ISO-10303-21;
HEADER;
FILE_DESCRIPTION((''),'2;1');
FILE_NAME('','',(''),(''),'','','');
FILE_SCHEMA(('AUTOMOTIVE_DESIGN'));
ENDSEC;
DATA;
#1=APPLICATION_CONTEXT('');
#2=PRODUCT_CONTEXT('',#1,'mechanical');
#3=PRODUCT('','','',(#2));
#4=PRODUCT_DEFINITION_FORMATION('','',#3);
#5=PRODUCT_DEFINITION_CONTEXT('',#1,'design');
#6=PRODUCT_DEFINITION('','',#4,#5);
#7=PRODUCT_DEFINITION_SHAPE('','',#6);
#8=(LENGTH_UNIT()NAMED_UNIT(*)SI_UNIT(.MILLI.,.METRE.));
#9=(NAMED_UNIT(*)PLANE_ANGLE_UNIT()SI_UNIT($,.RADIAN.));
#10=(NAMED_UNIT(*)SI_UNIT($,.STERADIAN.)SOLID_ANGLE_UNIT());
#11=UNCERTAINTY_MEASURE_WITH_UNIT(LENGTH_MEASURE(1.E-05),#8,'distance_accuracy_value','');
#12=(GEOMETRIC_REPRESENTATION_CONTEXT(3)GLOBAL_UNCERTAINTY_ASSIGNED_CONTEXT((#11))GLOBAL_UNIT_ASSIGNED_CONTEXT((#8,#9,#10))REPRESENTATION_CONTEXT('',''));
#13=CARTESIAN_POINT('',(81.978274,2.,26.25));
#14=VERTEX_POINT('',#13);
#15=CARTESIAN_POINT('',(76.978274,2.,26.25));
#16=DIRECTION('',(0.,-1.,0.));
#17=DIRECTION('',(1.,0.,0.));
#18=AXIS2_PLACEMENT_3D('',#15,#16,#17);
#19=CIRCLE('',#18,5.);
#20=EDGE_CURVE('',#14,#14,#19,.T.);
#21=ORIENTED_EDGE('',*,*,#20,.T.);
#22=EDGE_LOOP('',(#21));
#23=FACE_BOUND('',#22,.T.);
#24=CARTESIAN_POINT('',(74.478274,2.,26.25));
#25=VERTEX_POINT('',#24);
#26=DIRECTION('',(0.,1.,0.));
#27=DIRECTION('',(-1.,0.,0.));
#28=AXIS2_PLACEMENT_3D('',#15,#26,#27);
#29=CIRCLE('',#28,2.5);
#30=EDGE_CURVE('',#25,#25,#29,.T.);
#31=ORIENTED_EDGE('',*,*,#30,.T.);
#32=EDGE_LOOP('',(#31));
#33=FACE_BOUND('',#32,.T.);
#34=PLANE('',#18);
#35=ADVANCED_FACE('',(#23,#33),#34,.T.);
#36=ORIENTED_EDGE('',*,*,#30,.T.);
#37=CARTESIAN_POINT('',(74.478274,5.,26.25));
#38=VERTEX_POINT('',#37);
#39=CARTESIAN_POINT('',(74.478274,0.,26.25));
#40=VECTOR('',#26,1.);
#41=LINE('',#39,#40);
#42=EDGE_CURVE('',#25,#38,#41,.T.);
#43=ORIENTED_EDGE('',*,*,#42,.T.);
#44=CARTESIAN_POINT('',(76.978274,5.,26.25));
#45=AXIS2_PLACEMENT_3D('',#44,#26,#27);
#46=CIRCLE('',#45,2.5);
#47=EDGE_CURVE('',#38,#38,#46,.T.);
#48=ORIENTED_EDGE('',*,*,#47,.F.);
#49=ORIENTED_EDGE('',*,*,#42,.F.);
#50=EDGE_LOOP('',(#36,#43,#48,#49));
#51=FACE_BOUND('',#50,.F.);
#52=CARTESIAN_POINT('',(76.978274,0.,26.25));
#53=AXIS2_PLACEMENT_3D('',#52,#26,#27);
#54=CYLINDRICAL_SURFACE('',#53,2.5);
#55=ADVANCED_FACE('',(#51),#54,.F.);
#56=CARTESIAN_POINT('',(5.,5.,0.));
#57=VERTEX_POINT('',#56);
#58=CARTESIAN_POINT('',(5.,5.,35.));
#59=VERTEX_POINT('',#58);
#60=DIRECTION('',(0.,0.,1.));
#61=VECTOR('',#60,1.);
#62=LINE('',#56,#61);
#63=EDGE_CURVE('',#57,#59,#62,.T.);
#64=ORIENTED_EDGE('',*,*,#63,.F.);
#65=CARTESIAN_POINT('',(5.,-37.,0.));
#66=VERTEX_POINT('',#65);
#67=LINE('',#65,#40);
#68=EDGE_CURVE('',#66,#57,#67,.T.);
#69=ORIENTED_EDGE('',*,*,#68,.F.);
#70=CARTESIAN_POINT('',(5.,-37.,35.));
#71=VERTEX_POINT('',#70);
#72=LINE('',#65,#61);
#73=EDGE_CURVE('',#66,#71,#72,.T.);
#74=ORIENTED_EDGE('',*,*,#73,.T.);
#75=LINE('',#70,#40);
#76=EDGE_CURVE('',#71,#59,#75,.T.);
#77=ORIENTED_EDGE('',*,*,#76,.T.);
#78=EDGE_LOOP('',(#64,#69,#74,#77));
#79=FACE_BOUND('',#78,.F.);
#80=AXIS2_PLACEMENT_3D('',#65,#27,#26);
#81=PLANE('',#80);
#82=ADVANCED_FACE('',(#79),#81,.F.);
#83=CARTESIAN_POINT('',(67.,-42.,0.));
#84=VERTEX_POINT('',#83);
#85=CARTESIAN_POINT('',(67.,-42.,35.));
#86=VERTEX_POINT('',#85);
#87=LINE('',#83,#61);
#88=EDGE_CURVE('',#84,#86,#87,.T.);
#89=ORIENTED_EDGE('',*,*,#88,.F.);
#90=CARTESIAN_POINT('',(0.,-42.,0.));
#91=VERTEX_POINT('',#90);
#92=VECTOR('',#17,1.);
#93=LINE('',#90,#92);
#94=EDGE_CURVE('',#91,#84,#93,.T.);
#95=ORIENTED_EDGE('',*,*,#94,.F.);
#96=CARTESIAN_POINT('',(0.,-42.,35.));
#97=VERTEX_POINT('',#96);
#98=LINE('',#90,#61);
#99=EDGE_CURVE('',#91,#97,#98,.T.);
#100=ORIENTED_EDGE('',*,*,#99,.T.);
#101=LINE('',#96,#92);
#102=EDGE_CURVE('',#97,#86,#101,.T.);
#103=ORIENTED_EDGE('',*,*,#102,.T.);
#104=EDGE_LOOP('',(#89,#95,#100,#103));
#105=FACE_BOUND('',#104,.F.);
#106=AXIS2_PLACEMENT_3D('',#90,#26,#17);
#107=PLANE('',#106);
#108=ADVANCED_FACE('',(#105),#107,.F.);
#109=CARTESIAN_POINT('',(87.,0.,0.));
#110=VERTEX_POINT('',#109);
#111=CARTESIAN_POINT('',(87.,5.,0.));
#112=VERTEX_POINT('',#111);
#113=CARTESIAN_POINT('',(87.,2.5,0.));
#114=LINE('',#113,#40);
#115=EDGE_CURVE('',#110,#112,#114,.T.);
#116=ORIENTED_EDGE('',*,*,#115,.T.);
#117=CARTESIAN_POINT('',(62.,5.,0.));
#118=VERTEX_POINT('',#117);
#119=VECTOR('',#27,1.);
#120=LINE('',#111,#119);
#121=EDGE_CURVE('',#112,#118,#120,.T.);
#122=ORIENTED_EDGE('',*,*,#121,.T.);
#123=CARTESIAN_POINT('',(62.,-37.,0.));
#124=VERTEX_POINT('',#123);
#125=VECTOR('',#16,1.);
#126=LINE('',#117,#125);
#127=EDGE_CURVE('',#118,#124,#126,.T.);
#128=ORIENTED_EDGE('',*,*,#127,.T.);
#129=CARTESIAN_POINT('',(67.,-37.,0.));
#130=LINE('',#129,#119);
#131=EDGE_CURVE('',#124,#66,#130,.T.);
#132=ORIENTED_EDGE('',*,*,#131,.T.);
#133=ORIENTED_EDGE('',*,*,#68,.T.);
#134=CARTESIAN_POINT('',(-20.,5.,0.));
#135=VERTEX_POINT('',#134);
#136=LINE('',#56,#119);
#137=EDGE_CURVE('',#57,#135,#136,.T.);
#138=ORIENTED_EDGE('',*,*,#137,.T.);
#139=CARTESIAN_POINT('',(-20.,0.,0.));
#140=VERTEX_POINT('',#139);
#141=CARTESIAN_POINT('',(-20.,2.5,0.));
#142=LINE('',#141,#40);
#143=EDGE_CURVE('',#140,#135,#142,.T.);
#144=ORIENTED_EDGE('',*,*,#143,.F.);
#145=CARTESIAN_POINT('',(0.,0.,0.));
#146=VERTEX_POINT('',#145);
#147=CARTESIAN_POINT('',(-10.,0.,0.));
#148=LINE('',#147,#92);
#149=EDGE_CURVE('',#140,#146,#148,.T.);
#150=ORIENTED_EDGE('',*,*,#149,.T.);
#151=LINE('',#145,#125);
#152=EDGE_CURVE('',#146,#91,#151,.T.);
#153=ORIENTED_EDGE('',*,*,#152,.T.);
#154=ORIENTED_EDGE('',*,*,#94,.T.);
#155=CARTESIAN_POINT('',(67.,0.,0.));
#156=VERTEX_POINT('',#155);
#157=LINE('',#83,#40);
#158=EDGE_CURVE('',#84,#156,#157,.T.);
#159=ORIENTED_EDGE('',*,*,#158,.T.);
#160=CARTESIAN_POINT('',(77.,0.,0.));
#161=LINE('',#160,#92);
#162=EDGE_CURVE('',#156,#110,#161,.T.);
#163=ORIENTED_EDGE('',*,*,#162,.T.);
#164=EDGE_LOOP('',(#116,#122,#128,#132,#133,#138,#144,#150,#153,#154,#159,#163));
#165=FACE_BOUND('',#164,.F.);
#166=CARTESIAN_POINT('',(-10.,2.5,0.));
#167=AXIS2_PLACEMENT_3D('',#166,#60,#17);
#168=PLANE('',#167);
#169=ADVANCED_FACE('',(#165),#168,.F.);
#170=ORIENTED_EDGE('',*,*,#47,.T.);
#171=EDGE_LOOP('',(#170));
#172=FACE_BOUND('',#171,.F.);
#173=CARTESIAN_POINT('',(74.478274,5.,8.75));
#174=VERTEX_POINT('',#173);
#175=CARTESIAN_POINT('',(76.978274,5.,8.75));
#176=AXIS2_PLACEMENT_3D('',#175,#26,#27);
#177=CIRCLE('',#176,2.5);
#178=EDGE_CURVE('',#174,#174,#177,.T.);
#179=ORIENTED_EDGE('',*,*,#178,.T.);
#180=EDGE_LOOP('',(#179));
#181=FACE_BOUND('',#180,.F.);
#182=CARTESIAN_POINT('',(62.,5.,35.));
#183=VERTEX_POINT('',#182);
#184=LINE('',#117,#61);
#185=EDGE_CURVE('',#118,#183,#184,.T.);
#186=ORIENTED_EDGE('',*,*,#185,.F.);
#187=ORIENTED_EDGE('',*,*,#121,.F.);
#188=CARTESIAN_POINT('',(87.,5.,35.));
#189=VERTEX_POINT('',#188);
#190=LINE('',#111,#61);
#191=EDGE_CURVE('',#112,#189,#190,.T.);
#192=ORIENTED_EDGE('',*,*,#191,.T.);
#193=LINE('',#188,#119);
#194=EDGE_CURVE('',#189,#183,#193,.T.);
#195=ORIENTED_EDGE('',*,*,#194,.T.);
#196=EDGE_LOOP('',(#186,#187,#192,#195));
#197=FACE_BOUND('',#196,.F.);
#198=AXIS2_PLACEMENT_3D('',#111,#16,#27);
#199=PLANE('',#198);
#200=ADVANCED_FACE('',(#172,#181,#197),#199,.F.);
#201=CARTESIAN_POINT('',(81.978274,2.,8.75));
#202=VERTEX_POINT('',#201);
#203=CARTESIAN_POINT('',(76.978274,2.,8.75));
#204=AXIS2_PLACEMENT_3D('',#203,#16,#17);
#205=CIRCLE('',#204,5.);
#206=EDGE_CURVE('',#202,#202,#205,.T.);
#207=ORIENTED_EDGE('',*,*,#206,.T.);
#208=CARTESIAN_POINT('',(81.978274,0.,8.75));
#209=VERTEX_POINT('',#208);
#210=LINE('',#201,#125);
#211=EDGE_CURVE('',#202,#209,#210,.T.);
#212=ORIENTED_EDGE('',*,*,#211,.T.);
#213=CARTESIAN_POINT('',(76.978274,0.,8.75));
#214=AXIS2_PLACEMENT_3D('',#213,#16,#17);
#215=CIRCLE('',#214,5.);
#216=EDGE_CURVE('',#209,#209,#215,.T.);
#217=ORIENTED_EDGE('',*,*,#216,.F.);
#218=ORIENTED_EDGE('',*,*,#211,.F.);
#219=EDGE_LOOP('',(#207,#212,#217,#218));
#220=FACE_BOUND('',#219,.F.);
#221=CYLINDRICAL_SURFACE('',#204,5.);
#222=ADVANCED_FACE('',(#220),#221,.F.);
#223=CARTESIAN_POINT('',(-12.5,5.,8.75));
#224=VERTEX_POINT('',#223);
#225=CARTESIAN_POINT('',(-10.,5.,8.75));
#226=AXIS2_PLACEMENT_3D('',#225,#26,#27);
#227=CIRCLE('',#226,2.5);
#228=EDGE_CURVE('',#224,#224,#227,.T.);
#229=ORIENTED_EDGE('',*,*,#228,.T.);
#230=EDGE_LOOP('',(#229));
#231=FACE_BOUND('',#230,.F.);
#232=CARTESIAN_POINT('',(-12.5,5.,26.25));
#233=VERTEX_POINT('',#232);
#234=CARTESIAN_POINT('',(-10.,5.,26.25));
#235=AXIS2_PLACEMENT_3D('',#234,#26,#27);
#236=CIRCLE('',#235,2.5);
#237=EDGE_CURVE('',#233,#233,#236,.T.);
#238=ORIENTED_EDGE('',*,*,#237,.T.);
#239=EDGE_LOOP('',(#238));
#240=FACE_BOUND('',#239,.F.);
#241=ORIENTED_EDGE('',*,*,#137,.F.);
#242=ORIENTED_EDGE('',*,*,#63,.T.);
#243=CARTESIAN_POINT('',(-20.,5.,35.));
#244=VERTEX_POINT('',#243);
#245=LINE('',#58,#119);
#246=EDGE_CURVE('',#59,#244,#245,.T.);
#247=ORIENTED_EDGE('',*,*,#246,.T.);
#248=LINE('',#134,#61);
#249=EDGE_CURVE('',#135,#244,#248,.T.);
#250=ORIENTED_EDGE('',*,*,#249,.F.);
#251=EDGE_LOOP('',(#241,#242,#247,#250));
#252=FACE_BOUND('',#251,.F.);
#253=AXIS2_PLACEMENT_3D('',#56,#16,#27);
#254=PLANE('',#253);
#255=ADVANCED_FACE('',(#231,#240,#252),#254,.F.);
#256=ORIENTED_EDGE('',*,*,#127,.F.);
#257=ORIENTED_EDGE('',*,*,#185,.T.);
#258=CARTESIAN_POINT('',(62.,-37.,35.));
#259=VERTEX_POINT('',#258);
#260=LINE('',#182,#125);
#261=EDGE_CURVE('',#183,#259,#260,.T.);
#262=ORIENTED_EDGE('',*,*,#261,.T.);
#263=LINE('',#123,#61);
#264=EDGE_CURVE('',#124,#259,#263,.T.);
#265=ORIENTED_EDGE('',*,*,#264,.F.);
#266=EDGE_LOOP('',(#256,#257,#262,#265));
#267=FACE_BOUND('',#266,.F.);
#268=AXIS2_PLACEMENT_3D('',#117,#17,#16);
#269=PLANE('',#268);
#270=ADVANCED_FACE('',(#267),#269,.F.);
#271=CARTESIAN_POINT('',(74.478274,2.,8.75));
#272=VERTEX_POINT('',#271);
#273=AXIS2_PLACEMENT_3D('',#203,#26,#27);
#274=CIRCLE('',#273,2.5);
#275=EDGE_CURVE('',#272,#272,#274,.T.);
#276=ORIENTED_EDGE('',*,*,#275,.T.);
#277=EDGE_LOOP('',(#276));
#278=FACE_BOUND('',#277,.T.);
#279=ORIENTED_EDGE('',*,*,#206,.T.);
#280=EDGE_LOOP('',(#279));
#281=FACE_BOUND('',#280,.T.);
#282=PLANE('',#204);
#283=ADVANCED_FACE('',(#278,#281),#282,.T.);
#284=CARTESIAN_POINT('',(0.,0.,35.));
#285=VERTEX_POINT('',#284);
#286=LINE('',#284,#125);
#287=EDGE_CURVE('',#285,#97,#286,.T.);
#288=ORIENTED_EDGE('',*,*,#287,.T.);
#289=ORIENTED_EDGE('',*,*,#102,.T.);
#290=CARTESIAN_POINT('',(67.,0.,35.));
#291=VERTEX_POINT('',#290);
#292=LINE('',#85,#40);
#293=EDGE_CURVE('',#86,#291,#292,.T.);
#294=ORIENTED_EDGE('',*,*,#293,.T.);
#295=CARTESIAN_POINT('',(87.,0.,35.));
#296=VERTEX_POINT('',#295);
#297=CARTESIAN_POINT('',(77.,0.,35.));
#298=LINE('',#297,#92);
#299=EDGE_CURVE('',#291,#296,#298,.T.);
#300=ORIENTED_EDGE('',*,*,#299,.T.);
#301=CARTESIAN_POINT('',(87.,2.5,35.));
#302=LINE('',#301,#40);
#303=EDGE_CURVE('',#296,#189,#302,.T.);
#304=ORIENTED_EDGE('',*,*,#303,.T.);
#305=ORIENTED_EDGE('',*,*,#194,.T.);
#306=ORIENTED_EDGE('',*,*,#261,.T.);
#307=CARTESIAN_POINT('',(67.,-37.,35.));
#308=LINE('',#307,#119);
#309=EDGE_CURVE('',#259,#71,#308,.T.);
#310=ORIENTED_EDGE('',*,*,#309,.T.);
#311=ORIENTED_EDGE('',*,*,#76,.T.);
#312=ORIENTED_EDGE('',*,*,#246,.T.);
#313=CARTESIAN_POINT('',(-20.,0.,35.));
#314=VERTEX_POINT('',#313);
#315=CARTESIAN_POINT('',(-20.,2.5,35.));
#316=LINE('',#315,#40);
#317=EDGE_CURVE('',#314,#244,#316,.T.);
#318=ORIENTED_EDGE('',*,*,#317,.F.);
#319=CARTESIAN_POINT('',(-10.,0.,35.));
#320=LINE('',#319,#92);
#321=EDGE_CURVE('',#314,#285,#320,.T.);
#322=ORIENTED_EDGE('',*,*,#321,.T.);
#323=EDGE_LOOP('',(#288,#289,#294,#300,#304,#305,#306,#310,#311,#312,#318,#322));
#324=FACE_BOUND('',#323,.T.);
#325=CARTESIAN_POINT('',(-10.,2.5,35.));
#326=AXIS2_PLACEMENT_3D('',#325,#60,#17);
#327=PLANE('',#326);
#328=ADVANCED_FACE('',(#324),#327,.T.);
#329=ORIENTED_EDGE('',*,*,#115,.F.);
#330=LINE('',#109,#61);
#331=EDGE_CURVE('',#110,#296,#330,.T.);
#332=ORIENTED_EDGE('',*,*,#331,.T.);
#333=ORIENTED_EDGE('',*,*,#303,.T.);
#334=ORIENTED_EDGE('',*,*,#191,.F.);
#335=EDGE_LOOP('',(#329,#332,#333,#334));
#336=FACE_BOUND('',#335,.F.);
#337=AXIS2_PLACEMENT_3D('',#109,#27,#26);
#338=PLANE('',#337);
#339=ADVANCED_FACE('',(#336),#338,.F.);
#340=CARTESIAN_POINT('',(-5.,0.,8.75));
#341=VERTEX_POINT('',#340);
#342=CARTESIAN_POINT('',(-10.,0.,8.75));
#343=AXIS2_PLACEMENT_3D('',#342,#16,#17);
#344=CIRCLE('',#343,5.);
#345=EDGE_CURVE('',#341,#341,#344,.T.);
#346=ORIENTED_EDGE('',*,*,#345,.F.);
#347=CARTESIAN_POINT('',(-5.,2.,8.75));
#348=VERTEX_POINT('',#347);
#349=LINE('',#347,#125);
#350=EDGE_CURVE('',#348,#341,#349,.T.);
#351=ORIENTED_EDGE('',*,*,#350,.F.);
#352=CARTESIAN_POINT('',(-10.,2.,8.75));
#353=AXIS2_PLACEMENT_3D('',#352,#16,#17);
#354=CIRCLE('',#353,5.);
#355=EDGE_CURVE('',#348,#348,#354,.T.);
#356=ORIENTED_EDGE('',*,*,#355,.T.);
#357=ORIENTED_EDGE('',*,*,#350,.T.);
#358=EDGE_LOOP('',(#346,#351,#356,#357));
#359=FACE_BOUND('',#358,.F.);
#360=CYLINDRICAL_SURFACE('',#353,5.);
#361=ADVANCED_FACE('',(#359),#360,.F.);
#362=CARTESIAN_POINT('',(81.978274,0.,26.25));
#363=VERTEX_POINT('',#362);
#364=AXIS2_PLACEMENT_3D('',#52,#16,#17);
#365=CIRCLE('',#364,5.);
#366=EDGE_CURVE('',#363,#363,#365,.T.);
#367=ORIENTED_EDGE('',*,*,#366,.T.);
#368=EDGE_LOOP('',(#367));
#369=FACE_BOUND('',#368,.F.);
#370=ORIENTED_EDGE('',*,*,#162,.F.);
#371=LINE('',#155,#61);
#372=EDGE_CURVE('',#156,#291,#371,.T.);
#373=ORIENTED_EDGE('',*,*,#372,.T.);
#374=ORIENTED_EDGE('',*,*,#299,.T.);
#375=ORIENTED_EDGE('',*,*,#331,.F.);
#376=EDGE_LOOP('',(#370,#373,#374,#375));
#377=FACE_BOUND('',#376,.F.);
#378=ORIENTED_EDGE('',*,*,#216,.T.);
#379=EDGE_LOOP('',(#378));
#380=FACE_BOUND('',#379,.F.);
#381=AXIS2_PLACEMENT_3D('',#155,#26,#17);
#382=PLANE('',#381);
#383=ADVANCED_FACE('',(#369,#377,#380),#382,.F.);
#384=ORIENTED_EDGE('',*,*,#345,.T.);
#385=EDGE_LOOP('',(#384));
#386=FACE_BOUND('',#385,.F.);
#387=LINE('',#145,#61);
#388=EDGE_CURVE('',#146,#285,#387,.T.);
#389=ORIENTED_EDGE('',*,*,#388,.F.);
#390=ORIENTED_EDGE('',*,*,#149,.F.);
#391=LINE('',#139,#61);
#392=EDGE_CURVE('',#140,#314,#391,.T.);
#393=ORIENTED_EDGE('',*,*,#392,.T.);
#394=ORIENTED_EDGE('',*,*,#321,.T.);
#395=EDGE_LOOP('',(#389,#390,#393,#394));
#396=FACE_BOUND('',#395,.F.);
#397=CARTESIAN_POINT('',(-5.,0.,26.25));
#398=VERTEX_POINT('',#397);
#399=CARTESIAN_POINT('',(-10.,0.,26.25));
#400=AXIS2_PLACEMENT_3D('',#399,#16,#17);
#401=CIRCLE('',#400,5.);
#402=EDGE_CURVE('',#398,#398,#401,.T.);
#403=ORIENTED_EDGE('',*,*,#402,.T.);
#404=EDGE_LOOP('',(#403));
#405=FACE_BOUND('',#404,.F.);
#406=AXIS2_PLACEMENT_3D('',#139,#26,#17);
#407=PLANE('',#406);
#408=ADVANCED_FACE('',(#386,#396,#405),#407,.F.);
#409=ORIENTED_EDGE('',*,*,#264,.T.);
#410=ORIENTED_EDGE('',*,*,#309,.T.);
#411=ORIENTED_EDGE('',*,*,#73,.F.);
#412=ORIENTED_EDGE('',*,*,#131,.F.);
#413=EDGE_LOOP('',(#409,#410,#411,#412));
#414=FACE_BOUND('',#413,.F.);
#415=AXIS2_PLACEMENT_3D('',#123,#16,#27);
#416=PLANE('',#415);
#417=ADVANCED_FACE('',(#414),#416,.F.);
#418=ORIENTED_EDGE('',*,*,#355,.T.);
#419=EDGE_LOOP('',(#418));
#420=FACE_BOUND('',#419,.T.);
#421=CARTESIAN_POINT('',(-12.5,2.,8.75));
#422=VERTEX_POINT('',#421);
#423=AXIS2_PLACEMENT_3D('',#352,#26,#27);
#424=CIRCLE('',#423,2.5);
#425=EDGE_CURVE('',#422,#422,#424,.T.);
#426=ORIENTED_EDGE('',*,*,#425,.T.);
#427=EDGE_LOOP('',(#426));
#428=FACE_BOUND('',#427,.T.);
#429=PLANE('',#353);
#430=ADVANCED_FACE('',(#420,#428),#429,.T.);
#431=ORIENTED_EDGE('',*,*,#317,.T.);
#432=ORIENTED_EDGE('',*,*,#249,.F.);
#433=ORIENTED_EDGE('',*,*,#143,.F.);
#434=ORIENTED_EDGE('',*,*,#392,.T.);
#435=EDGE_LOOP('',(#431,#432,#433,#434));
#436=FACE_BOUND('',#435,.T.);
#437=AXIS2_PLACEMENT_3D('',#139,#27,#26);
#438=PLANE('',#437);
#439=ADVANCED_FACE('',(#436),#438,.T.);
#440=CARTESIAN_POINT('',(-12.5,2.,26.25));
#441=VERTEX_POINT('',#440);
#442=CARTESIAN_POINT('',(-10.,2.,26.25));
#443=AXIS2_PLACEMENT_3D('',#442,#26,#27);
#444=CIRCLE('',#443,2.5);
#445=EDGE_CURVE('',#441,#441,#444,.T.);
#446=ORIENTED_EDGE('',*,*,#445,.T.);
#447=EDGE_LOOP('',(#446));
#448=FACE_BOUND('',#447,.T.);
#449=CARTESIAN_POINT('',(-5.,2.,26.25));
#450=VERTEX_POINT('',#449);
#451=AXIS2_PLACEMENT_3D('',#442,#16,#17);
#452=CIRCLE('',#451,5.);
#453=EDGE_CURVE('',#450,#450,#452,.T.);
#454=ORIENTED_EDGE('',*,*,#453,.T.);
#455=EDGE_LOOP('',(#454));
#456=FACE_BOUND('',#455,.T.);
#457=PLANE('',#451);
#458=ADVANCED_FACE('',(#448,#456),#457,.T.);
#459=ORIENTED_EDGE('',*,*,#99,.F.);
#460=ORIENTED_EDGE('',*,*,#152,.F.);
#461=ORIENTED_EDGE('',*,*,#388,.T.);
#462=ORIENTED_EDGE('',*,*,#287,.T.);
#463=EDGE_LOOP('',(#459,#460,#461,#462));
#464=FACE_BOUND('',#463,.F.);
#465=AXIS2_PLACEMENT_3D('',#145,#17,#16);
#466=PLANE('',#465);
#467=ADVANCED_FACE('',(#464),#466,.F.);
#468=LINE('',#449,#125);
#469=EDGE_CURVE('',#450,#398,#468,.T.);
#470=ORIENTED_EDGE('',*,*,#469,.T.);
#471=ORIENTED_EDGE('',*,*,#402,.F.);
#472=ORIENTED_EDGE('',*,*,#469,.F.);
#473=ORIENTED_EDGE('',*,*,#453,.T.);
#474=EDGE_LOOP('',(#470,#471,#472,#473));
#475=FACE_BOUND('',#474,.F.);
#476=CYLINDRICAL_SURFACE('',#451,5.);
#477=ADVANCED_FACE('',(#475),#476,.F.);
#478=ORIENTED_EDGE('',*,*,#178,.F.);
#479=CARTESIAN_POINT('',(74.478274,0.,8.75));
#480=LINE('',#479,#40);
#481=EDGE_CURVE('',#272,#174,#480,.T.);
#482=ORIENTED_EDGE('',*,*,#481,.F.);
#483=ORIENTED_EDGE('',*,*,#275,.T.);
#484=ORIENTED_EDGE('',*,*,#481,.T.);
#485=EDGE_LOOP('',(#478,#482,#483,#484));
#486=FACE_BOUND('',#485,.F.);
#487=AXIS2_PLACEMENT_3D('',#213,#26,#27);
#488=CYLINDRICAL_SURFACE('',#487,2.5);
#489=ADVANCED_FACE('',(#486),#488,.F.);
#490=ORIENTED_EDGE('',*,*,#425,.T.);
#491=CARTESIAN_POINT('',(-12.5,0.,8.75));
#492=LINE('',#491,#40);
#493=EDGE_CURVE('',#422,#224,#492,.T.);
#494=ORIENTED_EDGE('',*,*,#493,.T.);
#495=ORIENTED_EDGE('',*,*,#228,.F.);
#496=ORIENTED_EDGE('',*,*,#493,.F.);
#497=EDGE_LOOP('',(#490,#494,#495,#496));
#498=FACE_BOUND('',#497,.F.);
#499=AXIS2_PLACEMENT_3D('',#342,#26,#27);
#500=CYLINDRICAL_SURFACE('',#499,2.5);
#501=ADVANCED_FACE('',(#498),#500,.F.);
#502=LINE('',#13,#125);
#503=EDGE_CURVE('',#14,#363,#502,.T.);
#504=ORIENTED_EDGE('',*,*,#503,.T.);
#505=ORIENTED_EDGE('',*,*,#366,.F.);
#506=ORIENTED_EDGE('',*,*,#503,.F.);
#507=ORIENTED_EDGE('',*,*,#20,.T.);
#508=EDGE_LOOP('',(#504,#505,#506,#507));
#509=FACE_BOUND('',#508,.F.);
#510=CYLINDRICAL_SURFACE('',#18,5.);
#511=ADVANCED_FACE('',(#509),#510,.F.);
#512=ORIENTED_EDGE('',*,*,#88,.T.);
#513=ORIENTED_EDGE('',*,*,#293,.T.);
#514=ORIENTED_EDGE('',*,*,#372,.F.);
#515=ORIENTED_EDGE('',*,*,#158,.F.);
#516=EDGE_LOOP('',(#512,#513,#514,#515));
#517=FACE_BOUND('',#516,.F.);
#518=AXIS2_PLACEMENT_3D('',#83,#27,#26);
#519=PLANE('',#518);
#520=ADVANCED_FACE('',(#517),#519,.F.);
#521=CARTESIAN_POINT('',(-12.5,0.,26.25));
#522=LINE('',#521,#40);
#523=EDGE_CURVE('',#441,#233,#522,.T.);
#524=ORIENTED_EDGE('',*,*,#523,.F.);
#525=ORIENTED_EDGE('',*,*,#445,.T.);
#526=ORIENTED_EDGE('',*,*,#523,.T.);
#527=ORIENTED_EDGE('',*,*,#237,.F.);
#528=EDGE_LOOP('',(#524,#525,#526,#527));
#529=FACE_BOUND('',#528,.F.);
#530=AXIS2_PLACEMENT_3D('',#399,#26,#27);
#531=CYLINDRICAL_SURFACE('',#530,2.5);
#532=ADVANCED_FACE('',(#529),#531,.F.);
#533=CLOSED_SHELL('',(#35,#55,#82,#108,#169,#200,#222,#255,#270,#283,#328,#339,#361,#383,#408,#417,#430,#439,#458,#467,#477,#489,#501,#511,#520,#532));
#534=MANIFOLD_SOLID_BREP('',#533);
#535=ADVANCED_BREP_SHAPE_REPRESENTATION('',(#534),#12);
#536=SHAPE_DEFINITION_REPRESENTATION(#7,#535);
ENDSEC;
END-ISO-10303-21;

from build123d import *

# Parameters (mm, degrees)
F0_W           = 20
F0_H           = 5
F1_DEPTH       = 35
F3_D           = 5
F3_DEPTH       = 5
F3_CBORE_D     = 10
F3_CBORE_DEPTH = 2


with BuildPart() as f1:
    # F0 (on Top) → F1 (new body)
    with BuildSketch(Plane.XY):
        with Locations((-10, 2.5)):
            Rectangle(F0_W, F0_H)
        Polygon((0, 5), (0, 0), (0, -37), (5, -37), (5, 5), align=None)
        Polygon((5, -37), (0, -37), (0, -42), (67, -42), (67, -37), (62, -37), align=None)
        Polygon((62, 5), (62, -37), (67, -37), (67, 0), (67, 5), align=None)
        with Locations((77, 2.5)):
            Rectangle(F0_W, F0_H)
    extrude(amount=F1_DEPTH)

    # F3
    with Locations(Plane.XZ):
        with Locations((-10, 26.25), (-10, 8.75), (76.978274, 8.75), (76.978274, 26.25)):
            CounterBoreHole(F3_D / 2, F3_CBORE_D / 2, F3_CBORE_DEPTH, depth=F3_DEPTH)


solid = f1.part
